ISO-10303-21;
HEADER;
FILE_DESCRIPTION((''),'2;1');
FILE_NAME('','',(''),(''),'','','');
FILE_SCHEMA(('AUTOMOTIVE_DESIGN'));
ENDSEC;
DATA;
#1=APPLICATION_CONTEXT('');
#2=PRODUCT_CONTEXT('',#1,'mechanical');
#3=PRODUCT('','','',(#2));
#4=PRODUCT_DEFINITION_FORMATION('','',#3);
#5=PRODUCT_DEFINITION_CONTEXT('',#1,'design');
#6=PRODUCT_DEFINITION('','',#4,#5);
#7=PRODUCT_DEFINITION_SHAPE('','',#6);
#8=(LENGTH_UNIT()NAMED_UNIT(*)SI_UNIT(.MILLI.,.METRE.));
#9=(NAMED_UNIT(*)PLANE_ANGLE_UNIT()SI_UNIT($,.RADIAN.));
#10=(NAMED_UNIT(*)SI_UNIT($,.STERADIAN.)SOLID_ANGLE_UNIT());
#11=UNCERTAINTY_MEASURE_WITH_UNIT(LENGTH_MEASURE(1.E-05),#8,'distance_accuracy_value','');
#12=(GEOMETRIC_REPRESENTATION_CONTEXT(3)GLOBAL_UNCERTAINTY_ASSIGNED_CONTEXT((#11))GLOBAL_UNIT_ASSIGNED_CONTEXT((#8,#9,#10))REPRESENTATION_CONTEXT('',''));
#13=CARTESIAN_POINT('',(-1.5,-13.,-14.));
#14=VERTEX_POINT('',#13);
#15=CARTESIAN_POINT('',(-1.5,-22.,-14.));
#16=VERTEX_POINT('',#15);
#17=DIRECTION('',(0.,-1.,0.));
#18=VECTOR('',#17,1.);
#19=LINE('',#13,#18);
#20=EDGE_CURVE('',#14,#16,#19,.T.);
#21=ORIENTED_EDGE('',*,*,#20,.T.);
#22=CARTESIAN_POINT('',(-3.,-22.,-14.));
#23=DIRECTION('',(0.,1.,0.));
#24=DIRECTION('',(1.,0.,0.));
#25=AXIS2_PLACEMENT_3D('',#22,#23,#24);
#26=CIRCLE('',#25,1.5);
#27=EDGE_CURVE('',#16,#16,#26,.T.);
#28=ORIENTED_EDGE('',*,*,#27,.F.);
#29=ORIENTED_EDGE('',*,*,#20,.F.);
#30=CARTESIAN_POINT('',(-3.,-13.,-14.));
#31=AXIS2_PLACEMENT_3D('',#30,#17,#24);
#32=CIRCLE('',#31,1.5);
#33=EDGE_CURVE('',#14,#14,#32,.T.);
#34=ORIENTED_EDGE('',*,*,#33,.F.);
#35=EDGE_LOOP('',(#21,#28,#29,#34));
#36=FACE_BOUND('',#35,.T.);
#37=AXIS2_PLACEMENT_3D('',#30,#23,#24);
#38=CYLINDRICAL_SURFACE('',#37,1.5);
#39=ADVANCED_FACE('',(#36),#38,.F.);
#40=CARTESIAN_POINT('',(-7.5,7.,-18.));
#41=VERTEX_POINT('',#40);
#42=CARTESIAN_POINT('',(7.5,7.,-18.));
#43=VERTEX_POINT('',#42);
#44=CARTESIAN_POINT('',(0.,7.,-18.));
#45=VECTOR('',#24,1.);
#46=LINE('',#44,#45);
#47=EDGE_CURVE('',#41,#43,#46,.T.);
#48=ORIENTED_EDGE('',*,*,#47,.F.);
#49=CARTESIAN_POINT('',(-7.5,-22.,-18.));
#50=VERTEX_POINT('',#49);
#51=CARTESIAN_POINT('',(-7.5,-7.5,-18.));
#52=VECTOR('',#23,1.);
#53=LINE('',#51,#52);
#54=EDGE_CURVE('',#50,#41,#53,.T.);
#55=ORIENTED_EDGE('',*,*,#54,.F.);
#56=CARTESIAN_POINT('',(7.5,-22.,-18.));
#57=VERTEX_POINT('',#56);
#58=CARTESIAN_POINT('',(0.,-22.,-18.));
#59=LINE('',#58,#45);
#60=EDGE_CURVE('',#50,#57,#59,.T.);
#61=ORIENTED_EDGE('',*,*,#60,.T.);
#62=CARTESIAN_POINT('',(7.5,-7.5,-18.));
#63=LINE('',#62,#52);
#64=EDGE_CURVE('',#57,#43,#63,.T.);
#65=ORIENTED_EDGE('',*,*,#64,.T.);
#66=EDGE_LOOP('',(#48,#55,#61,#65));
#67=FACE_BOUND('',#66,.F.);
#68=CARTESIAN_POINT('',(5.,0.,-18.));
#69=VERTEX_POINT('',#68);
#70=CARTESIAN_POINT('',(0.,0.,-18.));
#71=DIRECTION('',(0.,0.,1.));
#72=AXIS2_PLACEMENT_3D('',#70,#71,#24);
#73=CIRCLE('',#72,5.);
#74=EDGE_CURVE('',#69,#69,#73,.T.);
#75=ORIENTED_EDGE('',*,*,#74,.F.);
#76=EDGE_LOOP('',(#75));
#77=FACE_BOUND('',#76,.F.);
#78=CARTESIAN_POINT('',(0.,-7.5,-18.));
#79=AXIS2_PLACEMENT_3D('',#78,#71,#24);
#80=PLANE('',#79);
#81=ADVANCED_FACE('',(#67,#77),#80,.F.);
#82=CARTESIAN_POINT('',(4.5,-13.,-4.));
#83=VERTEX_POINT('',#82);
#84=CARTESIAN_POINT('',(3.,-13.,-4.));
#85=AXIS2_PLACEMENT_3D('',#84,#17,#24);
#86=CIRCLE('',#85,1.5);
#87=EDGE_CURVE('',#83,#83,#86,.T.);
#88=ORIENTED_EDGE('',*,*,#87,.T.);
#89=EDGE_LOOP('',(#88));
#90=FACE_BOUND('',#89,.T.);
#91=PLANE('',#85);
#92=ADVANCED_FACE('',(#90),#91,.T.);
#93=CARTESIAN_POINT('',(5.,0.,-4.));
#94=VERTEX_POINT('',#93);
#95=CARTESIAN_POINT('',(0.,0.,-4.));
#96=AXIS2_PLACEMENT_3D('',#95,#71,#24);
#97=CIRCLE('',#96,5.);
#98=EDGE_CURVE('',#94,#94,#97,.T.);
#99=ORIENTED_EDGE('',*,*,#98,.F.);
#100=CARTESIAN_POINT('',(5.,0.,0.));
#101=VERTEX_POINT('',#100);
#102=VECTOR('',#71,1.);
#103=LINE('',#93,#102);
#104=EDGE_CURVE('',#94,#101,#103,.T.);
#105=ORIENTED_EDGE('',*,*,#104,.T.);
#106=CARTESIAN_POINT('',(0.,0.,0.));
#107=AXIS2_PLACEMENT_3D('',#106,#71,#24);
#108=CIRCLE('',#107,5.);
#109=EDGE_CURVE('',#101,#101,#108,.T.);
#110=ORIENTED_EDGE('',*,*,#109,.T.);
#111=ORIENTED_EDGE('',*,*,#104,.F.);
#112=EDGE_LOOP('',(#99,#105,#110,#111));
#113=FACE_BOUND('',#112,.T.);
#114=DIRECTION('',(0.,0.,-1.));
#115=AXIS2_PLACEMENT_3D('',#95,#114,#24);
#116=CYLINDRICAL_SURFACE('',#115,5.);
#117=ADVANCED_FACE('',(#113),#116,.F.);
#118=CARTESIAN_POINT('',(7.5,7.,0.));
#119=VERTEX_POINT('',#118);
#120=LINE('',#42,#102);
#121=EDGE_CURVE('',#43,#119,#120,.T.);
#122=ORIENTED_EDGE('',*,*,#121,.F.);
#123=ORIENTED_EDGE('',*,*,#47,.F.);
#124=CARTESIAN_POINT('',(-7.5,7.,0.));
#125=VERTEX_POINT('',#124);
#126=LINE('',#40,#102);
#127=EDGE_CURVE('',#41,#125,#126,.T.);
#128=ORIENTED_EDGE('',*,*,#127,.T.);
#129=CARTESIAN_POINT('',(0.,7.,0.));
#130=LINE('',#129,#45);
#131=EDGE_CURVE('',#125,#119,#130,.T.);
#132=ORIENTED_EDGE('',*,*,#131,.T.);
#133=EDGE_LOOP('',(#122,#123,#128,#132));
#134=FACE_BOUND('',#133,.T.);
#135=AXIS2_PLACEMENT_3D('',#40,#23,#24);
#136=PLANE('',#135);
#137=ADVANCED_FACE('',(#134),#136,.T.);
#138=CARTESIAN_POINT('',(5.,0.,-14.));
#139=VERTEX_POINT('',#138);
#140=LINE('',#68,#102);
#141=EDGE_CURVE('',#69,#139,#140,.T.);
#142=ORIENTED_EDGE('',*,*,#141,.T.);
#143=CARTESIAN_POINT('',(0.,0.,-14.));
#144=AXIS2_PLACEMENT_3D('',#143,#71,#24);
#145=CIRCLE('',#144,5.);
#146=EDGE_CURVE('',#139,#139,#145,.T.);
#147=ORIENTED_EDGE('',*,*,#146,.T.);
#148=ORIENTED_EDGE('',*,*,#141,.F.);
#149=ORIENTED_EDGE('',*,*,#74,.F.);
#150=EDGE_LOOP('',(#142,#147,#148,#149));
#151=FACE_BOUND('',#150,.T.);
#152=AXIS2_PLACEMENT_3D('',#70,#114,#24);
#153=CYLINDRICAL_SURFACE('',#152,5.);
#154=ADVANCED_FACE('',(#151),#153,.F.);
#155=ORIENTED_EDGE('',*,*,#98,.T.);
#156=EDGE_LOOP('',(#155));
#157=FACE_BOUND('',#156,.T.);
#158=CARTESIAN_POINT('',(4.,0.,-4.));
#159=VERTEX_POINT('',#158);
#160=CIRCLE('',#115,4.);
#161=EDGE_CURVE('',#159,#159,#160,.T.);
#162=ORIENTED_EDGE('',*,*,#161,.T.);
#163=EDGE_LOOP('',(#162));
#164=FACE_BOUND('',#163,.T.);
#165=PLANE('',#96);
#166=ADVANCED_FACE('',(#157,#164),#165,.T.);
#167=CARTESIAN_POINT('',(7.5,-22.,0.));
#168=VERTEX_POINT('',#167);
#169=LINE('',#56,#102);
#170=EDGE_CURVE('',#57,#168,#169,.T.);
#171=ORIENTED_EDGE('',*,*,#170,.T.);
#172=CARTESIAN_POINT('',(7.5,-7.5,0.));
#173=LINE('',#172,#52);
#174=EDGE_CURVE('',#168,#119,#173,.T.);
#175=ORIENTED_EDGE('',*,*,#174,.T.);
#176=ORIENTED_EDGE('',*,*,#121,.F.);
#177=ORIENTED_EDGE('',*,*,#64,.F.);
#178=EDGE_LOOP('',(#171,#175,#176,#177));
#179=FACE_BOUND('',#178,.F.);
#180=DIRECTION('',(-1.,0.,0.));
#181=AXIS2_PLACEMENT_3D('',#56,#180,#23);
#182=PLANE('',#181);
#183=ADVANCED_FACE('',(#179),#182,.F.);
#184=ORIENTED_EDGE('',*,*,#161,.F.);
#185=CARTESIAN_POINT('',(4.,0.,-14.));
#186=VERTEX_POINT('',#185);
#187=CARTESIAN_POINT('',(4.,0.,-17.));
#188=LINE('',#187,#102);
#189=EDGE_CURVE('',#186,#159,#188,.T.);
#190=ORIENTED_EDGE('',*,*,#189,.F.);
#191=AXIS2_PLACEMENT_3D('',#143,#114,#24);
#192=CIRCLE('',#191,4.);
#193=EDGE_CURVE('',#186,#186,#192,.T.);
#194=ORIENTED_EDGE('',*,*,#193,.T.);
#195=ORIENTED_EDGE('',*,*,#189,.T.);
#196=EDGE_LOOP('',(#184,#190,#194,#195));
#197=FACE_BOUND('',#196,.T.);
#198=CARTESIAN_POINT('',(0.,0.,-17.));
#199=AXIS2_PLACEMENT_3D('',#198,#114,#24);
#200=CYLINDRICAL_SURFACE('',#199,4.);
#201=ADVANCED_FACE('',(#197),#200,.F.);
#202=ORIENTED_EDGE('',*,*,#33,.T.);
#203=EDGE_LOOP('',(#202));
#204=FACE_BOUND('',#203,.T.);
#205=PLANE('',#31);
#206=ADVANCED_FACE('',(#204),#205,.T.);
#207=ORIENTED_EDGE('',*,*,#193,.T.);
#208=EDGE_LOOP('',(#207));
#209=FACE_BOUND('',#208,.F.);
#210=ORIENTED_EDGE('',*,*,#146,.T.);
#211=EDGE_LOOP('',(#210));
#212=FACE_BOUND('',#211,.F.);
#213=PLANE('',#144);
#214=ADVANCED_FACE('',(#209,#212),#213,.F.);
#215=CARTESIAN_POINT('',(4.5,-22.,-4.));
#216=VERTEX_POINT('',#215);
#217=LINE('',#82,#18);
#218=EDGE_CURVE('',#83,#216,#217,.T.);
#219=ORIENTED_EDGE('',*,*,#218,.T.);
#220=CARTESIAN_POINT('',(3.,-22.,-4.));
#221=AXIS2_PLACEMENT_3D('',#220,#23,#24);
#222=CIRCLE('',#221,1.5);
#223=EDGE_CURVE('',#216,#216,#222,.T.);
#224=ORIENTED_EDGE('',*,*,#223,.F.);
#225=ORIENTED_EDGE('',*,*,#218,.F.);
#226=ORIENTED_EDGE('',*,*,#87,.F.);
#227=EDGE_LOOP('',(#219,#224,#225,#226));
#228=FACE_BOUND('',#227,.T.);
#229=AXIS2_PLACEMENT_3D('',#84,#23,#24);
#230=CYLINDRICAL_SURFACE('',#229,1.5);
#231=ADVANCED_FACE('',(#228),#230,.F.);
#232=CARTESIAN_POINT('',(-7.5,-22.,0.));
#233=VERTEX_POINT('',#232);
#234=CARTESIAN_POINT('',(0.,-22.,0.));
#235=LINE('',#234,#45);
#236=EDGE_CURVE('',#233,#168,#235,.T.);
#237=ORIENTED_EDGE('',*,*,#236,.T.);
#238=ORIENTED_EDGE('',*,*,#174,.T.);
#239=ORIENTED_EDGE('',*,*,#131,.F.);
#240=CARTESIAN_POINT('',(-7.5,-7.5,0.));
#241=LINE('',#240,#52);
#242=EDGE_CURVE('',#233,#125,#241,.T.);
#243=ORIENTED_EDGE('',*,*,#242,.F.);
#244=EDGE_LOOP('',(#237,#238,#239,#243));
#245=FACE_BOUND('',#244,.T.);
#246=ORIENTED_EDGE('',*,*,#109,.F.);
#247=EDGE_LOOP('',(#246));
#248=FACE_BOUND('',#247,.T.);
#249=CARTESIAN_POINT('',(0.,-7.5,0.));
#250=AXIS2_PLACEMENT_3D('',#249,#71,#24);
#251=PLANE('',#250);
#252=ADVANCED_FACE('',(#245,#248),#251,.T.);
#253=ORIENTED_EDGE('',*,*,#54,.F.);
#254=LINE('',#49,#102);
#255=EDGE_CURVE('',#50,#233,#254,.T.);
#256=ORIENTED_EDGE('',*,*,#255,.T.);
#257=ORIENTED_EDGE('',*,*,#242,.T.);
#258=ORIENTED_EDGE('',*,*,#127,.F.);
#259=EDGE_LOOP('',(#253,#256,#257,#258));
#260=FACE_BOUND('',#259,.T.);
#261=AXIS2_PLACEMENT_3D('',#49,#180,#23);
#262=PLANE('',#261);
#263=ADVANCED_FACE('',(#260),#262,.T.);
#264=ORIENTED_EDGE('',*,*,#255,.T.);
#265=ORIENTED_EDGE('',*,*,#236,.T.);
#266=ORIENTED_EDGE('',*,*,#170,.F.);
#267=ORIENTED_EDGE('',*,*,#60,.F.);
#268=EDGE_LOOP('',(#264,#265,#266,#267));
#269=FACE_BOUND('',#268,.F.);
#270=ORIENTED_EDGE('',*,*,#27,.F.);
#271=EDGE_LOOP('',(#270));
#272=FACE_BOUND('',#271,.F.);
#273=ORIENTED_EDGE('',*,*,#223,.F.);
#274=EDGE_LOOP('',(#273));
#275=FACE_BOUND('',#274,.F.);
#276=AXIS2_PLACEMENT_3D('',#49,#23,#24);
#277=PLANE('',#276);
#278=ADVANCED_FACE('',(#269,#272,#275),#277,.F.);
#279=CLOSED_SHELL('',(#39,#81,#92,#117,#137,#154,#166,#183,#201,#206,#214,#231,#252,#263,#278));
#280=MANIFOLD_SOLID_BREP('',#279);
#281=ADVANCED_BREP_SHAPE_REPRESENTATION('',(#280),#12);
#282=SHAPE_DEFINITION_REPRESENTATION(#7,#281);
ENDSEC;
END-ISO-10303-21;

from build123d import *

# Parameters (mm, degrees)
CYLINDER095_R      = 1.5
CYLINDER095_DEPTH  = 21
CYLINDER094_R      = 1.5
CYLINDER094_DEPTH  = 21
CYLINDER085_R      = 4
CYLINDER085_DEPTH  = 19
CYLINDER087_R      = 5
CYLINDER087_DEPTH  = 4
CYLINDER086_R      = 5
CYLINDER086_DEPTH  = 4
BOX406008013_W     = 15
BOX406008013_H     = 29
BOX406008013_DEPTH = 18


with BuildPart() as cylinder095:
    # Cylinder095 → Cylinder095 (new body)
    with BuildSketch(Plane(origin=(3, -13, -4), x_dir=(1, 0, 0), z_dir=(0, -1, 0))):
        Circle(CYLINDER095_R)
    extrude(amount=CYLINDER095_DEPTH)


with BuildPart() as fusion103077013004017014:
    # Cylinder094 → Cylinder094 (new body)
    with BuildSketch(Plane(origin=(-3, -13, -14), x_dir=(1, 0, 0), z_dir=(0, -1, 0))):
        Circle(CYLINDER094_R)
    extrude(amount=CYLINDER094_DEPTH)

    # Fusion103077013004017014: union Cylinder095
    add(cylinder095.part)


with BuildPart() as cylinder081:
    # Cylinder085 → Cylinder085 (new body)
    with BuildSketch(Plane.XY.offset(-17)):
        Circle(CYLINDER085_R)
    extrude(amount=CYLINDER085_DEPTH)


with BuildPart() as f_623_bearing003:
    # Cylinder087 → Cylinder087 (new body)
    with BuildSketch(Plane.XY.offset(-18)):
        Circle(CYLINDER087_R)
    extrude(amount=CYLINDER087_DEPTH)


with BuildPart() as f_623_bearing_holes:
    # Cylinder086 → Cylinder086 (new body)
    with BuildSketch(Plane.XY.offset(-4)):
        Circle(CYLINDER086_R)
    extrude(amount=CYLINDER086_DEPTH)

    # Fusion103077013004017008: union 623 Bearing003
    add(f_623_bearing003.part)


with BuildPart() as cut088:
    # Box406008013 → Box406008013 (new body)
    with BuildSketch(Plane(origin=(-7.5, -22, -18), x_dir=(1, 0, 0), z_dir=(0, 0, 1))):
        with Locations((7.5, 14.5)):
            Rectangle(BOX406008013_W, BOX406008013_H)
    extrude(amount=BOX406008013_DEPTH)

    # Cut070: cut 623 Bearing Holes
    add(f_623_bearing_holes.part, mode=Mode.SUBTRACT)

    # Cut087: cut Cylinder081
    add(cylinder081.part, mode=Mode.SUBTRACT)

    # Cut088: cut Fusion103077013004017014
    add(fusion103077013004017014.part, mode=Mode.SUBTRACT)


solid = cut088.part
